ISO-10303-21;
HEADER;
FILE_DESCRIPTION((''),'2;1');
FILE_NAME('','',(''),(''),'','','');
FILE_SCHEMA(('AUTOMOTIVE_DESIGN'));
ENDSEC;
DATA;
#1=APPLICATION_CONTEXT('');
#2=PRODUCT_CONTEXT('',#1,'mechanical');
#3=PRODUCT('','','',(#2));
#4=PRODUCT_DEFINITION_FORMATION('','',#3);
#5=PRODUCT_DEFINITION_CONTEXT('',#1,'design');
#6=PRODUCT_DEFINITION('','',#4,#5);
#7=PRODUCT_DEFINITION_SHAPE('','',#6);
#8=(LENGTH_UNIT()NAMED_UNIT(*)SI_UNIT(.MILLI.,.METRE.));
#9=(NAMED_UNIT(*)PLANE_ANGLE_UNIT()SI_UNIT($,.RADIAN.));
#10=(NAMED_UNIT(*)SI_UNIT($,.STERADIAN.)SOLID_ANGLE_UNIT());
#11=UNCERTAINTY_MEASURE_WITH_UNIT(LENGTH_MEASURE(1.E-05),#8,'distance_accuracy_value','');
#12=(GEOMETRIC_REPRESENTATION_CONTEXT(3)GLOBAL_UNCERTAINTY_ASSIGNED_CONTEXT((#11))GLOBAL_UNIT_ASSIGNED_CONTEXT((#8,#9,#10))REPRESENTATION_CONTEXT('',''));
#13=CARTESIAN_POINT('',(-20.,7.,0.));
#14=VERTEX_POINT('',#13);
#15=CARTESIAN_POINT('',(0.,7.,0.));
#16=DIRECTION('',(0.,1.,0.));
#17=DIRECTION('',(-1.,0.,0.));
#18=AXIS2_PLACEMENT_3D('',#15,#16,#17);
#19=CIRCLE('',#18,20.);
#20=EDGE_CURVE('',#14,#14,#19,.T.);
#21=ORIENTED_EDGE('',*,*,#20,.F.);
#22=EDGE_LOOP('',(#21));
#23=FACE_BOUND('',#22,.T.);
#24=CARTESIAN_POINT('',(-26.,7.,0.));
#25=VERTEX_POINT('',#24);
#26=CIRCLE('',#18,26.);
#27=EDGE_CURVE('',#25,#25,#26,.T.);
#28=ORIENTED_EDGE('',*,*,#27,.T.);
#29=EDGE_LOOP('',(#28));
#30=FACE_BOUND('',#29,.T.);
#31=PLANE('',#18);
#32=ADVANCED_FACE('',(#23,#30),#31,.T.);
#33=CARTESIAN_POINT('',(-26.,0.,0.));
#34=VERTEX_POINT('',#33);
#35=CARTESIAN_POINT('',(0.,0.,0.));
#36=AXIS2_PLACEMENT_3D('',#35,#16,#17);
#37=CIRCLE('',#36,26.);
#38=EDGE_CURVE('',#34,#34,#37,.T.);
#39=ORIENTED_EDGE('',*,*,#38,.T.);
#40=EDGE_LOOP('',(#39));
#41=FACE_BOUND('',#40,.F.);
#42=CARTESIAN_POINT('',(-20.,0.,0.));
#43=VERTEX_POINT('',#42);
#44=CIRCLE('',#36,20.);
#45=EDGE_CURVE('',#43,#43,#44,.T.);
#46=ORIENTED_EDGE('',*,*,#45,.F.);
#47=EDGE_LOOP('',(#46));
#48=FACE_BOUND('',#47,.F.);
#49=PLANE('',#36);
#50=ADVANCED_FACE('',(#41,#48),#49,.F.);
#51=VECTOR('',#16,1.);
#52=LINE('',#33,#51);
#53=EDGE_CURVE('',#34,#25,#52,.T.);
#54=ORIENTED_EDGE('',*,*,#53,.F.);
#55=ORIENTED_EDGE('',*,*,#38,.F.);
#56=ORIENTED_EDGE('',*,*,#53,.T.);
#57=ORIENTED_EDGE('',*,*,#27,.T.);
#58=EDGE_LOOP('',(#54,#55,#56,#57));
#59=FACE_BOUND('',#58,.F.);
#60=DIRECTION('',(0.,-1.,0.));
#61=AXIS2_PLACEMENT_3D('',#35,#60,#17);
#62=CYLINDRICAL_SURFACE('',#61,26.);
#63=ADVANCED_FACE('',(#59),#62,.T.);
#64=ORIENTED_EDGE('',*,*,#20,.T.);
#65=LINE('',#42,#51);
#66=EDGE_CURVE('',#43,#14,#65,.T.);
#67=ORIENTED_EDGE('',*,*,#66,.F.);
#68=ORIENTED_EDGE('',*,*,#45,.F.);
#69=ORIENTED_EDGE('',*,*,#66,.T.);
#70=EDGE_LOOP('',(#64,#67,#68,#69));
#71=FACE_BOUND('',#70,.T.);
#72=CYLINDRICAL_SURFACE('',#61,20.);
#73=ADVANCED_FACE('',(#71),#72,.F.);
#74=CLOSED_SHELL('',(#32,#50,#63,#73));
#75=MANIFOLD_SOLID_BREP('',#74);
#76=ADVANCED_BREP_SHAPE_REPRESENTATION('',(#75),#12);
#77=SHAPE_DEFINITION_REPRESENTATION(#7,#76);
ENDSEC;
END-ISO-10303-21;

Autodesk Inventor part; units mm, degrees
ref_plane "YZ Plane" through (0, 0, 0) normal (1, 0, 0) x (0, 1, 0)
ref_plane "XZ Plane" through (0, 0, 0) normal (0, 1, 0) x (-1, 0, 0)
ref_plane "XY Plane" through (0, 0, 0) normal (0, 0, 1) x (1, 0, 0)
sketch "Sketch1" plane through (0, 0, 0) normal (0, 1, 0) x (-1, 0, 0)
  circle A0 centre (0, 0) radius 20
  circle A1 centre (0, 0) radius 26
  dimension "d0" = 40
  dimension "d1" = 52
extrude "Extrusion1" add sketch "Sketch1" along normal blind 7
properties part number "52407bearing" material "Stainless Steel"
